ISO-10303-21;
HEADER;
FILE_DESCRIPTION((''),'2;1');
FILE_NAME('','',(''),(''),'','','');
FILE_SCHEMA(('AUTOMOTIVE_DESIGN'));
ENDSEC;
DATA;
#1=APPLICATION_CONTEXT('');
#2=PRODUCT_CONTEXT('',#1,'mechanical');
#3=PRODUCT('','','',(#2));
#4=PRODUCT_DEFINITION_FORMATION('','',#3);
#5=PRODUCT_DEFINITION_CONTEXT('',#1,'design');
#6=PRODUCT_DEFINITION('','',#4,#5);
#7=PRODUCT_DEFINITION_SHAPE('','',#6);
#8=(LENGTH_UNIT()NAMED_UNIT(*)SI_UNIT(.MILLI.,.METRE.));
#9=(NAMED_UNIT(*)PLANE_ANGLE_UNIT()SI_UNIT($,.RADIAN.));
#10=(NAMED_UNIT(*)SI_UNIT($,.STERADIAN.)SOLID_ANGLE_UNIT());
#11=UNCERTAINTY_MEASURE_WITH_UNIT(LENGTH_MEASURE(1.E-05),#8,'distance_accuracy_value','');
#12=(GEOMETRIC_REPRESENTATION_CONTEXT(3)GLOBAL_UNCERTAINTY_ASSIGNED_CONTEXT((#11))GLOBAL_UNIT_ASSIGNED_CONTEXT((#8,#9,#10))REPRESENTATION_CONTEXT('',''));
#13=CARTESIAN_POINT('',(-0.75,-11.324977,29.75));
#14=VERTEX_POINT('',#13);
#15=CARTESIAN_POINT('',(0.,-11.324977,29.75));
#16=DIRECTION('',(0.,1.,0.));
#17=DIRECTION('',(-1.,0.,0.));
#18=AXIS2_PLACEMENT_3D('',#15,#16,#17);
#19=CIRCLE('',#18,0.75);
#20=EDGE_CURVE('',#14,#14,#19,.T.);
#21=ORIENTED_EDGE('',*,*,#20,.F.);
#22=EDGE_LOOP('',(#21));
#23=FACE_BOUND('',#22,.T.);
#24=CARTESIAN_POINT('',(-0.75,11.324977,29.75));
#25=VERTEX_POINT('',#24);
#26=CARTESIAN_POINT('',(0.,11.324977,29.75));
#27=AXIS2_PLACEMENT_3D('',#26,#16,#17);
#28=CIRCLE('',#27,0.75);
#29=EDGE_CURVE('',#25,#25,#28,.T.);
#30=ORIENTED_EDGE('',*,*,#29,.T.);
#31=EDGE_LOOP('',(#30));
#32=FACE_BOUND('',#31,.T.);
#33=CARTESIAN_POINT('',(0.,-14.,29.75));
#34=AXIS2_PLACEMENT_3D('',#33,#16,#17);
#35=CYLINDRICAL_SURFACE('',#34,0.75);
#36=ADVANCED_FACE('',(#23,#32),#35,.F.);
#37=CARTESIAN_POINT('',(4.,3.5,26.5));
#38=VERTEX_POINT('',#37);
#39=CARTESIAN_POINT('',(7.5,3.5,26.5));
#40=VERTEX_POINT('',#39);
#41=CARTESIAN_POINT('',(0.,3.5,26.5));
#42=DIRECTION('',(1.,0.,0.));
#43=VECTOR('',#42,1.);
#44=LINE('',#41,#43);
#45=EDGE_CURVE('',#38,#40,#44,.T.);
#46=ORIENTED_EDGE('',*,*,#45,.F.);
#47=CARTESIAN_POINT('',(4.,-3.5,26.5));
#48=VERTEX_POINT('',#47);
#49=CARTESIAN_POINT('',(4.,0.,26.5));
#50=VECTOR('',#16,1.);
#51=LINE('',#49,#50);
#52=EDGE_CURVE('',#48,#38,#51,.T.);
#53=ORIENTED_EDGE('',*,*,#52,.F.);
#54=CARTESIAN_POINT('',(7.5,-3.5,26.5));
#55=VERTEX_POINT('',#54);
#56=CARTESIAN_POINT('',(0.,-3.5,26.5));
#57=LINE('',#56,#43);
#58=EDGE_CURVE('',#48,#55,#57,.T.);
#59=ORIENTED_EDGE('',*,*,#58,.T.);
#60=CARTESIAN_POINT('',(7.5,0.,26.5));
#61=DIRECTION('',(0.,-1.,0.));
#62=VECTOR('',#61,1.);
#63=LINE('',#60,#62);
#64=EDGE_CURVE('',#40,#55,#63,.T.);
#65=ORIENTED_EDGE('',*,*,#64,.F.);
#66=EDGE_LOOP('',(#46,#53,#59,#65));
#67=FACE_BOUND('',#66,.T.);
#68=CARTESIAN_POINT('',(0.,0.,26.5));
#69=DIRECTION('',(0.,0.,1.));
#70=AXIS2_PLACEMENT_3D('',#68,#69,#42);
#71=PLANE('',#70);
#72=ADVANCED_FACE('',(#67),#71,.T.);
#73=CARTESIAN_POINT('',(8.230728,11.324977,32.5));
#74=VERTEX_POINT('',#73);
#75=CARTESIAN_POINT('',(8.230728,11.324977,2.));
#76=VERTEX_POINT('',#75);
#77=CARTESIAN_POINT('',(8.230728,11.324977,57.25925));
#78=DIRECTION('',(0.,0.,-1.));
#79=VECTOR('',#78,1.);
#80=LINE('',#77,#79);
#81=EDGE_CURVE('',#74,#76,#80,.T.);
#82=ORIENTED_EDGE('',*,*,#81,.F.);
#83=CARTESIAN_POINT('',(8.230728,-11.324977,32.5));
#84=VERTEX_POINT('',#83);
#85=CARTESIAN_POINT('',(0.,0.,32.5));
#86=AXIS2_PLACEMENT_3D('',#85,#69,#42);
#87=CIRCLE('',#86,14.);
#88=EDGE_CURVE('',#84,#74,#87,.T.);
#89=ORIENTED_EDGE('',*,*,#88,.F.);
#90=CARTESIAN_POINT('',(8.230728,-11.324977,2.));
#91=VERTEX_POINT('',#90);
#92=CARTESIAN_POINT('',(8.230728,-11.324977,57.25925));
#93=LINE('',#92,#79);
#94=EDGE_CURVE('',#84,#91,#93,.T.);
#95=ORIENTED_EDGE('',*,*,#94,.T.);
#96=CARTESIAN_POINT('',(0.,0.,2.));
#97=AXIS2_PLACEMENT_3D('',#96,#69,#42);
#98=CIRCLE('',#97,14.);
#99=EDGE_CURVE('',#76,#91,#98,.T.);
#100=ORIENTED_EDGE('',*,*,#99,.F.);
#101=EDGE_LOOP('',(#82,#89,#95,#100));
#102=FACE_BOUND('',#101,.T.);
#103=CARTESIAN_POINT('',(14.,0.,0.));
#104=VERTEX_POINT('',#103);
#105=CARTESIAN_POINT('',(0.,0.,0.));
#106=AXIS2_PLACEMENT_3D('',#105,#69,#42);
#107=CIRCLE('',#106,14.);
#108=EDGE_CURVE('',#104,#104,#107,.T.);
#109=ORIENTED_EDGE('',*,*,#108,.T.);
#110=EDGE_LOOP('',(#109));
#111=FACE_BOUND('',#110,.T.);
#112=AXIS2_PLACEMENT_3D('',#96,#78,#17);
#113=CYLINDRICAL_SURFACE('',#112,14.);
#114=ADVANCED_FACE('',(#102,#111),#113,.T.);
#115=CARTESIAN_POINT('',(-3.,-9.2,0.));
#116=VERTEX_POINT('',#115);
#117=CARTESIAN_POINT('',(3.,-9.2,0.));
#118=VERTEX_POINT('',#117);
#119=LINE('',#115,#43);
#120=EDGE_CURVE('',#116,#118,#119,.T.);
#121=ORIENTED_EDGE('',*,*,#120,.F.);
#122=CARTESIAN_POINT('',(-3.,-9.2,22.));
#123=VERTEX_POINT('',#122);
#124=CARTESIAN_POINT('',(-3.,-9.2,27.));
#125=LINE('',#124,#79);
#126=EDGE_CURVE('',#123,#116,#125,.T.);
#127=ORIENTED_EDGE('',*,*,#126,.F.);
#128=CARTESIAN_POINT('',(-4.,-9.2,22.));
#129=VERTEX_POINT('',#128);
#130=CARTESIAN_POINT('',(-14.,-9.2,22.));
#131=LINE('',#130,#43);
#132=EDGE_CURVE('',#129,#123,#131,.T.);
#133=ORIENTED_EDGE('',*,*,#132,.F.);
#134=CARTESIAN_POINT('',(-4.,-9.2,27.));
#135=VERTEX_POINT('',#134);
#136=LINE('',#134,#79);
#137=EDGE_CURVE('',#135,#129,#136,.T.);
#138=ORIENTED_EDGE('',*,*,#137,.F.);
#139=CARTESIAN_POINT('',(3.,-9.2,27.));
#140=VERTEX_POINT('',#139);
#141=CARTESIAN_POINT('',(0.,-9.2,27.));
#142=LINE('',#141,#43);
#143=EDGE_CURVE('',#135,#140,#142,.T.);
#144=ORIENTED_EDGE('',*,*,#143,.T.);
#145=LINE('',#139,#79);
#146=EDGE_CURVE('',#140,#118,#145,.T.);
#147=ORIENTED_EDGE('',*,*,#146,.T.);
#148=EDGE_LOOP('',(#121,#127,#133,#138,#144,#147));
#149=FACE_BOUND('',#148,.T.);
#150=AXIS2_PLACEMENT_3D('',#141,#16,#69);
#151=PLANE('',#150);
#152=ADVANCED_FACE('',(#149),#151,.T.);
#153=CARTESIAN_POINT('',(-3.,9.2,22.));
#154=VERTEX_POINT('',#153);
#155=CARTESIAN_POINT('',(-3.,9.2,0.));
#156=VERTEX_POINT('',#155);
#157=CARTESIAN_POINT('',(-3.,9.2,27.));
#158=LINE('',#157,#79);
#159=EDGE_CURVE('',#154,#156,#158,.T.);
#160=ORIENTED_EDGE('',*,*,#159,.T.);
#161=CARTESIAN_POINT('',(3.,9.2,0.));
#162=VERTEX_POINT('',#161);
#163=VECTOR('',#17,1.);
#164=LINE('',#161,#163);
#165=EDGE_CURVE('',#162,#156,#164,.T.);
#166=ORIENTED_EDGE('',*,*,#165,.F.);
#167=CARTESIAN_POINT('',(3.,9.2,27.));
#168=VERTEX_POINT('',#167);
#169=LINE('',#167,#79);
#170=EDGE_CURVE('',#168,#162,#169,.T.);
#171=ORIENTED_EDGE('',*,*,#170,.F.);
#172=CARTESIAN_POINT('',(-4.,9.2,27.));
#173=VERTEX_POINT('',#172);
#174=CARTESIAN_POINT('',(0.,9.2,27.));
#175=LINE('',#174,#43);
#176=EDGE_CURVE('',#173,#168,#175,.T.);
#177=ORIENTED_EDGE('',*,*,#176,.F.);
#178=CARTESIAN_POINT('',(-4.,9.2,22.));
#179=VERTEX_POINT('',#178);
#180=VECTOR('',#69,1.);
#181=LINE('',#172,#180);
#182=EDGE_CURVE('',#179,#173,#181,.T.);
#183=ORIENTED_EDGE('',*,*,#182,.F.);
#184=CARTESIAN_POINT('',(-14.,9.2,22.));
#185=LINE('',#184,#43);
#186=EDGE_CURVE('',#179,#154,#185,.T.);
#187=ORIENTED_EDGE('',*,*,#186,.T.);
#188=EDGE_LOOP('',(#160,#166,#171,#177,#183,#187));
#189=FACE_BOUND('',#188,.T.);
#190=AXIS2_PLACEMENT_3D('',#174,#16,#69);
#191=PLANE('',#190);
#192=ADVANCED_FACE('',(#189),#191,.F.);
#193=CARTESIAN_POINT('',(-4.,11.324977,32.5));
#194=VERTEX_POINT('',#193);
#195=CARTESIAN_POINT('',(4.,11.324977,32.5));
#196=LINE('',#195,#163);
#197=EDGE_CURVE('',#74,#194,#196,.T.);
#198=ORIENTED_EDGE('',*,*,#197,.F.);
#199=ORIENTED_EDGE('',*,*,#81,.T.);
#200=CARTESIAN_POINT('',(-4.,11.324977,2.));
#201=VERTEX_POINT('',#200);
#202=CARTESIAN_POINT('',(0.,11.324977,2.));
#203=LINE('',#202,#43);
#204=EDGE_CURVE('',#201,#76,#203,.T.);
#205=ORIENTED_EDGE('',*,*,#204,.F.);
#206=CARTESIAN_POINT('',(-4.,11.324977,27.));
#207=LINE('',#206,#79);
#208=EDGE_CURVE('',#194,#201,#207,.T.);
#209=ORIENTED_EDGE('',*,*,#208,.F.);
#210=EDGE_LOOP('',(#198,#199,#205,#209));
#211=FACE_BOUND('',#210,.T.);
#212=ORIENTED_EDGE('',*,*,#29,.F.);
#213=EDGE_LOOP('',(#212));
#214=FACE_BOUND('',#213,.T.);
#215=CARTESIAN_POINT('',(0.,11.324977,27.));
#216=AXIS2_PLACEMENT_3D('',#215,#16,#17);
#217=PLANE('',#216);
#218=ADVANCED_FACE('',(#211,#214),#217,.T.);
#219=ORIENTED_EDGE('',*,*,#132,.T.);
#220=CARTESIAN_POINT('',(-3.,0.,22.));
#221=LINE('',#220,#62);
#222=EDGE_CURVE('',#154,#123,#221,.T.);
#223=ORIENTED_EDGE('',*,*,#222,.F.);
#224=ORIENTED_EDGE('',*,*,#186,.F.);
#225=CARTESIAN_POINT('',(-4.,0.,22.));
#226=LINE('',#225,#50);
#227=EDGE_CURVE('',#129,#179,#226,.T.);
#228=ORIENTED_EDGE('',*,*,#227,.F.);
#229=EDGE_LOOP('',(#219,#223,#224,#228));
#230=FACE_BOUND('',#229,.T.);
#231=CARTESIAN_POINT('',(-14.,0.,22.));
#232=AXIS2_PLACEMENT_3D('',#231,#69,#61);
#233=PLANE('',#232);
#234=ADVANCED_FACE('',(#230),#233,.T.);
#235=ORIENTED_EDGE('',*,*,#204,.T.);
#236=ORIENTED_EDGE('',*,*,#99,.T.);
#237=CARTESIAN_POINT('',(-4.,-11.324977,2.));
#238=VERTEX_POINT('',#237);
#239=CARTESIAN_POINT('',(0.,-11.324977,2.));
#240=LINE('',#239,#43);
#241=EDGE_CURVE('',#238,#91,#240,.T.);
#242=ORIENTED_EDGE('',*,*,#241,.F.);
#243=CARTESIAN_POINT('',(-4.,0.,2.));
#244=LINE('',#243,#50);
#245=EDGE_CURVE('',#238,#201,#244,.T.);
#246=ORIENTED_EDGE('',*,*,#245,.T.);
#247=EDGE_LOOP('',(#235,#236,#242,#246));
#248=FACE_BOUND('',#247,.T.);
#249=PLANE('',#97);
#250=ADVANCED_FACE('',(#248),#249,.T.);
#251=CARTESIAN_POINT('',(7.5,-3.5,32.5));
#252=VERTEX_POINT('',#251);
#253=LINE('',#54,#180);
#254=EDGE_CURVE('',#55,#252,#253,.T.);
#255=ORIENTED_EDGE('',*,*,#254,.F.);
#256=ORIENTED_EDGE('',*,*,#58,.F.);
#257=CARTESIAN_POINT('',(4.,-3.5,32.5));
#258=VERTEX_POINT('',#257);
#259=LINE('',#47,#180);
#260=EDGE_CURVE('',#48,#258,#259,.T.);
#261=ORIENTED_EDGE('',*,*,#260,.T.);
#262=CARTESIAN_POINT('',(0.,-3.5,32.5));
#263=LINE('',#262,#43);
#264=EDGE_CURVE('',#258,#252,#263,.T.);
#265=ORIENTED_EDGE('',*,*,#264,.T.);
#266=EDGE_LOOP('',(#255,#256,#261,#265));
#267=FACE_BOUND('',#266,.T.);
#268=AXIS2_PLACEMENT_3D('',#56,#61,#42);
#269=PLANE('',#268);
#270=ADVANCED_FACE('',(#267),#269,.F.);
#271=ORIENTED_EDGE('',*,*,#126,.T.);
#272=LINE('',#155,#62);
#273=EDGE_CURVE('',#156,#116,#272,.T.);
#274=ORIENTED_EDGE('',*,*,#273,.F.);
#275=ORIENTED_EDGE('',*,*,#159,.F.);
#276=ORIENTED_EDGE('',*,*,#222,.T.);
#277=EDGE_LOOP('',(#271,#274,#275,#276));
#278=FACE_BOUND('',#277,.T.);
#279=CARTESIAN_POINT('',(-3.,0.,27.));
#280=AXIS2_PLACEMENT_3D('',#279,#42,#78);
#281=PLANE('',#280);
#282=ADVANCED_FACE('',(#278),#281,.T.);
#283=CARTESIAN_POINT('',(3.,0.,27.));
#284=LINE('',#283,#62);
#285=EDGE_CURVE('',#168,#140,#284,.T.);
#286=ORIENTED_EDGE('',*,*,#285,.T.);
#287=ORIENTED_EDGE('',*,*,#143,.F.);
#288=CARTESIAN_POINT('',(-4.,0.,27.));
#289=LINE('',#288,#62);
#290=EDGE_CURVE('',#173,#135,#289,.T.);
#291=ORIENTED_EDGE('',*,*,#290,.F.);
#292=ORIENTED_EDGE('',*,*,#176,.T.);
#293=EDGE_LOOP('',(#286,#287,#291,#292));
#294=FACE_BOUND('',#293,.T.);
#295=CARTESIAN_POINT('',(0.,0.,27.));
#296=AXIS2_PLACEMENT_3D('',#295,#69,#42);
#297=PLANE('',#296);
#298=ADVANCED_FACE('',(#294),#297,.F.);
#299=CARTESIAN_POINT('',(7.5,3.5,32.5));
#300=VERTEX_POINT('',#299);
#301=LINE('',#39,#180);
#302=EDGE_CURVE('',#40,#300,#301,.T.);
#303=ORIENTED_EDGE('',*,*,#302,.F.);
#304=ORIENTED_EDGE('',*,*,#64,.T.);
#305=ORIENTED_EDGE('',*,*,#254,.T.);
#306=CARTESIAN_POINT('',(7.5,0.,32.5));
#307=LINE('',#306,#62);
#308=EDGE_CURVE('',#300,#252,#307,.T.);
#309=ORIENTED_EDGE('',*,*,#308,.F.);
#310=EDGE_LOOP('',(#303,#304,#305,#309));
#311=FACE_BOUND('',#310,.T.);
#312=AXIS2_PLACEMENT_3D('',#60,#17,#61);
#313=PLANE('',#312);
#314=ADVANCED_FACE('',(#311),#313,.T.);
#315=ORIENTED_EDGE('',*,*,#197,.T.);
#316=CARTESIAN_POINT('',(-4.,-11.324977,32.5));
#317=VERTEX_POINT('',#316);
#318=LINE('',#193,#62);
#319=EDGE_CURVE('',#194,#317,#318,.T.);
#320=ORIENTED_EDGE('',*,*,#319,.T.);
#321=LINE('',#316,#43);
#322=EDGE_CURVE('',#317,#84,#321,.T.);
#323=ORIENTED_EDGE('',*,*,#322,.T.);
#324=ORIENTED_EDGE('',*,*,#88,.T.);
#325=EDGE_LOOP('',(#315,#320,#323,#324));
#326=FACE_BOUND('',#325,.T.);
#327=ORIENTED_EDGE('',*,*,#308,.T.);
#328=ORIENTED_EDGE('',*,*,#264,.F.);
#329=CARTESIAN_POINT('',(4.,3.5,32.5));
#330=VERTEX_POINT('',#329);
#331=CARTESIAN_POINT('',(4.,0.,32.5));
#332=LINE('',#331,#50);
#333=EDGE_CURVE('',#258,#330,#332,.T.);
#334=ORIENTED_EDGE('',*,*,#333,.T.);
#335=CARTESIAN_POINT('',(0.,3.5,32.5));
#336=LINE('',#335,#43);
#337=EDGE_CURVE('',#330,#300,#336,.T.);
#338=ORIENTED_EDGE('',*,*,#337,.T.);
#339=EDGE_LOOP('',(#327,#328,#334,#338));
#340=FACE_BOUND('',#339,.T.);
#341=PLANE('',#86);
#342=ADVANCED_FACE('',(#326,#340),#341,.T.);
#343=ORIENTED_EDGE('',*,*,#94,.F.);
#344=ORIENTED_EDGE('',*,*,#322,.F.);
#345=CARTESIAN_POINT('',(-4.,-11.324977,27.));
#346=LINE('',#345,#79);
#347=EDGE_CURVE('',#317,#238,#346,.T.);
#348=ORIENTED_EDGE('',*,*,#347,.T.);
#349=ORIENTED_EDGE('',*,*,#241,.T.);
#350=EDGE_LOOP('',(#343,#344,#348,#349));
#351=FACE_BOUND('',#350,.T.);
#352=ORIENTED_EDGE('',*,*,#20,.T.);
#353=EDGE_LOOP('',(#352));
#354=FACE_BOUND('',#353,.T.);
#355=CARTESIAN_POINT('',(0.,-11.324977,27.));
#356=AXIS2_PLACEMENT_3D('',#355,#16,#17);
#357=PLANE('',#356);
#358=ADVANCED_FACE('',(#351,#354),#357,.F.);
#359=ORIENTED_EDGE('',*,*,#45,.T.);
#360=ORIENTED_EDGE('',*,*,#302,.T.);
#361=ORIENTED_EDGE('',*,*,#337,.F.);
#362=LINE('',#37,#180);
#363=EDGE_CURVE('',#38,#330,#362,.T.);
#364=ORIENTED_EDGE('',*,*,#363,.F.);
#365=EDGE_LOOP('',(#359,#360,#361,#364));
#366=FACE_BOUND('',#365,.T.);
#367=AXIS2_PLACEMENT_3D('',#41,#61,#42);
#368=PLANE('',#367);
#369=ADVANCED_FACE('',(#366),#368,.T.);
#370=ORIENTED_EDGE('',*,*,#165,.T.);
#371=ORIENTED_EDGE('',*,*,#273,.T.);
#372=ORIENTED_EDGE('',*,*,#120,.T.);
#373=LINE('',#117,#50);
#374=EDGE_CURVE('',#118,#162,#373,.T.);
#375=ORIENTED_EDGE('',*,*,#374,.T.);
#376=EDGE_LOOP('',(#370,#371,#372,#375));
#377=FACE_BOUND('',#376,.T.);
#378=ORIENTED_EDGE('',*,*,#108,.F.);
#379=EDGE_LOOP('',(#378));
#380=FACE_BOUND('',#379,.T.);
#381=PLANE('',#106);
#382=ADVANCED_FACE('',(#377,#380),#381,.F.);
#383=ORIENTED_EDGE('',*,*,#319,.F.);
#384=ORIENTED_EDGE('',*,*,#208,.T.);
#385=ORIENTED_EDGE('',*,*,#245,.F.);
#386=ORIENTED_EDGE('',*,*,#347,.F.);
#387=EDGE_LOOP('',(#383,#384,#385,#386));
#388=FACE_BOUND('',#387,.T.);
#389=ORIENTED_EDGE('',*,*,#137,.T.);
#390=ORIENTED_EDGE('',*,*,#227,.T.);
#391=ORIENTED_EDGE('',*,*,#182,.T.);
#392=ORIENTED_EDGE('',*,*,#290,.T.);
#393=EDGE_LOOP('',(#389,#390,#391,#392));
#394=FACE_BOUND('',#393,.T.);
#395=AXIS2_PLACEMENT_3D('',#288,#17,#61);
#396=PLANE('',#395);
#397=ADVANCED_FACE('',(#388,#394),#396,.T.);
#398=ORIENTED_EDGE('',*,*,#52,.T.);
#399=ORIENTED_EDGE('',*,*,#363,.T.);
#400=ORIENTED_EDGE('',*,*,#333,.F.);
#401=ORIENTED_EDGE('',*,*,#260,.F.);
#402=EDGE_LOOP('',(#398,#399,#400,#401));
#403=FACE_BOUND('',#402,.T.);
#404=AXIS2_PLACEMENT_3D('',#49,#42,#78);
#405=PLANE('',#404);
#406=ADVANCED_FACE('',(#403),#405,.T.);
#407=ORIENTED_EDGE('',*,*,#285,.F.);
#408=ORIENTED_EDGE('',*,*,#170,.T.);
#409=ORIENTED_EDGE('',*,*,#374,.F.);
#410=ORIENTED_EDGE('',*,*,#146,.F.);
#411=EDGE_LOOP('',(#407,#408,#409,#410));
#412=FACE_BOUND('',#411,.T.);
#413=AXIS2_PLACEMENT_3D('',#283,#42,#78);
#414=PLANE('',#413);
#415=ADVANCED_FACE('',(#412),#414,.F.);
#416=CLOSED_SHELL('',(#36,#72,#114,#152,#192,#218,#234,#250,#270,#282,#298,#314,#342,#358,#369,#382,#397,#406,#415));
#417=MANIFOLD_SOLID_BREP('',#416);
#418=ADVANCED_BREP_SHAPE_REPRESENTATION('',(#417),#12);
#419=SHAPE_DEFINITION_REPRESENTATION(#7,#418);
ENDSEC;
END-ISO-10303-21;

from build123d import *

# Parameters (mm, degrees)
SKETCH2_R           = 14
BOSS_EXTRUDE1_DEPTH = 2
SKETCH1_W           = 8
SKETCH1_H           = 22.649954628
SKETCH1_W_2         = 6
SKETCH1_H_2         = 18.4
BOSS_EXTRUDE2_DEPTH = 25
SKETCH3_W           = 8
SKETCH3_H           = 22.649954628
BOSS_EXTRUDE3_DEPTH = 5.5
SKETCH4_W           = 6
SKETCH4_H           = 18.4
CUT_EXTRUDE1_DEPTH  = 37.362755671
SKETCH5_W           = 5
SKETCH5_H           = 18.4
CUT_EXTRUDE2_DEPTH  = 40.258756985
SKETCH7_R           = 0.75
CUT_EXTRUDE3_DEPTH  = 44.515565904
BOSS_EXTRUDE4_DEPTH = 30.5
SKETCH9_W           = 3.5
SKETCH9_H           = 7
CUT_EXTRUDE4_DEPTH  = 6


with BuildPart() as part:
    # Sketch2 → Boss-Extrude1 (new body)
    with BuildSketch(Plane.XY):
        Circle(SKETCH2_R)
    extrude(amount=BOSS_EXTRUDE1_DEPTH)

    # Sketch1 → Boss-Extrude2 (add)
    with BuildSketch(Plane.XY.offset(2)):
        Rectangle(SKETCH1_W, SKETCH1_H)
        Rectangle(SKETCH1_W_2, SKETCH1_H_2, mode=Mode.SUBTRACT)
    extrude(amount=BOSS_EXTRUDE2_DEPTH)

    # Sketch3 → Boss-Extrude3 (add)
    with BuildSketch(Plane.XY.offset(27)):
        Rectangle(SKETCH3_W, SKETCH3_H)
    extrude(amount=BOSS_EXTRUDE3_DEPTH)

    # Sketch4 → Cut-Extrude1 (cut, through all)
    with BuildSketch(Plane.XY.offset(2)):
        Rectangle(SKETCH4_W, SKETCH4_H)
    extrude(amount=-CUT_EXTRUDE1_DEPTH, mode=Mode.SUBTRACT)

    # Sketch5 → Cut-Extrude2 (cut, through all)
    with BuildSketch(Plane.ZY.offset(-3)):
        with Locations((24.5, 0)):
            Rectangle(SKETCH5_W, SKETCH5_H)
    extrude(amount=CUT_EXTRUDE2_DEPTH, mode=Mode.SUBTRACT)

    # Sketch7 → Cut-Extrude3 (cut, through all)
    with BuildSketch(Plane(origin=(0, 11.324977314, 0), x_dir=(1, 0, 0), z_dir=(0, 1, 0))):
        with Locations(Location((0, -29.75, 0), (0, 0, 180))):
            Circle(SKETCH7_R)
    extrude(amount=-CUT_EXTRUDE3_DEPTH, mode=Mode.SUBTRACT)

    # Sketch8 → Boss-Extrude4 (add)
    with BuildSketch(Plane.XY.offset(2)):
        with BuildLine():
            Line((4, 11.324977314), (4, -11.324977314))
            Line((4, -11.324977314), (8.23072833, -11.324977314))
            ThreePointArc((8.23072833, -11.324977314), (12.474578081, -6.354911619), (14, 0))
            ThreePointArc((14, 0), (12.474578081, 6.354911619), (8.23072833, 11.324977314))
            Line((8.23072833, 11.324977314), (4, 11.324977314))
        make_face()
    extrude(amount=BOSS_EXTRUDE4_DEPTH)

    # Sketch9 → Cut-Extrude4 (cut)
    with BuildSketch(Plane.XY.offset(32.5)):
        with Locations((5.75, 0)):
            Rectangle(SKETCH9_W, SKETCH9_H)
    extrude(amount=-CUT_EXTRUDE4_DEPTH, mode=Mode.SUBTRACT)


solid = part.part
